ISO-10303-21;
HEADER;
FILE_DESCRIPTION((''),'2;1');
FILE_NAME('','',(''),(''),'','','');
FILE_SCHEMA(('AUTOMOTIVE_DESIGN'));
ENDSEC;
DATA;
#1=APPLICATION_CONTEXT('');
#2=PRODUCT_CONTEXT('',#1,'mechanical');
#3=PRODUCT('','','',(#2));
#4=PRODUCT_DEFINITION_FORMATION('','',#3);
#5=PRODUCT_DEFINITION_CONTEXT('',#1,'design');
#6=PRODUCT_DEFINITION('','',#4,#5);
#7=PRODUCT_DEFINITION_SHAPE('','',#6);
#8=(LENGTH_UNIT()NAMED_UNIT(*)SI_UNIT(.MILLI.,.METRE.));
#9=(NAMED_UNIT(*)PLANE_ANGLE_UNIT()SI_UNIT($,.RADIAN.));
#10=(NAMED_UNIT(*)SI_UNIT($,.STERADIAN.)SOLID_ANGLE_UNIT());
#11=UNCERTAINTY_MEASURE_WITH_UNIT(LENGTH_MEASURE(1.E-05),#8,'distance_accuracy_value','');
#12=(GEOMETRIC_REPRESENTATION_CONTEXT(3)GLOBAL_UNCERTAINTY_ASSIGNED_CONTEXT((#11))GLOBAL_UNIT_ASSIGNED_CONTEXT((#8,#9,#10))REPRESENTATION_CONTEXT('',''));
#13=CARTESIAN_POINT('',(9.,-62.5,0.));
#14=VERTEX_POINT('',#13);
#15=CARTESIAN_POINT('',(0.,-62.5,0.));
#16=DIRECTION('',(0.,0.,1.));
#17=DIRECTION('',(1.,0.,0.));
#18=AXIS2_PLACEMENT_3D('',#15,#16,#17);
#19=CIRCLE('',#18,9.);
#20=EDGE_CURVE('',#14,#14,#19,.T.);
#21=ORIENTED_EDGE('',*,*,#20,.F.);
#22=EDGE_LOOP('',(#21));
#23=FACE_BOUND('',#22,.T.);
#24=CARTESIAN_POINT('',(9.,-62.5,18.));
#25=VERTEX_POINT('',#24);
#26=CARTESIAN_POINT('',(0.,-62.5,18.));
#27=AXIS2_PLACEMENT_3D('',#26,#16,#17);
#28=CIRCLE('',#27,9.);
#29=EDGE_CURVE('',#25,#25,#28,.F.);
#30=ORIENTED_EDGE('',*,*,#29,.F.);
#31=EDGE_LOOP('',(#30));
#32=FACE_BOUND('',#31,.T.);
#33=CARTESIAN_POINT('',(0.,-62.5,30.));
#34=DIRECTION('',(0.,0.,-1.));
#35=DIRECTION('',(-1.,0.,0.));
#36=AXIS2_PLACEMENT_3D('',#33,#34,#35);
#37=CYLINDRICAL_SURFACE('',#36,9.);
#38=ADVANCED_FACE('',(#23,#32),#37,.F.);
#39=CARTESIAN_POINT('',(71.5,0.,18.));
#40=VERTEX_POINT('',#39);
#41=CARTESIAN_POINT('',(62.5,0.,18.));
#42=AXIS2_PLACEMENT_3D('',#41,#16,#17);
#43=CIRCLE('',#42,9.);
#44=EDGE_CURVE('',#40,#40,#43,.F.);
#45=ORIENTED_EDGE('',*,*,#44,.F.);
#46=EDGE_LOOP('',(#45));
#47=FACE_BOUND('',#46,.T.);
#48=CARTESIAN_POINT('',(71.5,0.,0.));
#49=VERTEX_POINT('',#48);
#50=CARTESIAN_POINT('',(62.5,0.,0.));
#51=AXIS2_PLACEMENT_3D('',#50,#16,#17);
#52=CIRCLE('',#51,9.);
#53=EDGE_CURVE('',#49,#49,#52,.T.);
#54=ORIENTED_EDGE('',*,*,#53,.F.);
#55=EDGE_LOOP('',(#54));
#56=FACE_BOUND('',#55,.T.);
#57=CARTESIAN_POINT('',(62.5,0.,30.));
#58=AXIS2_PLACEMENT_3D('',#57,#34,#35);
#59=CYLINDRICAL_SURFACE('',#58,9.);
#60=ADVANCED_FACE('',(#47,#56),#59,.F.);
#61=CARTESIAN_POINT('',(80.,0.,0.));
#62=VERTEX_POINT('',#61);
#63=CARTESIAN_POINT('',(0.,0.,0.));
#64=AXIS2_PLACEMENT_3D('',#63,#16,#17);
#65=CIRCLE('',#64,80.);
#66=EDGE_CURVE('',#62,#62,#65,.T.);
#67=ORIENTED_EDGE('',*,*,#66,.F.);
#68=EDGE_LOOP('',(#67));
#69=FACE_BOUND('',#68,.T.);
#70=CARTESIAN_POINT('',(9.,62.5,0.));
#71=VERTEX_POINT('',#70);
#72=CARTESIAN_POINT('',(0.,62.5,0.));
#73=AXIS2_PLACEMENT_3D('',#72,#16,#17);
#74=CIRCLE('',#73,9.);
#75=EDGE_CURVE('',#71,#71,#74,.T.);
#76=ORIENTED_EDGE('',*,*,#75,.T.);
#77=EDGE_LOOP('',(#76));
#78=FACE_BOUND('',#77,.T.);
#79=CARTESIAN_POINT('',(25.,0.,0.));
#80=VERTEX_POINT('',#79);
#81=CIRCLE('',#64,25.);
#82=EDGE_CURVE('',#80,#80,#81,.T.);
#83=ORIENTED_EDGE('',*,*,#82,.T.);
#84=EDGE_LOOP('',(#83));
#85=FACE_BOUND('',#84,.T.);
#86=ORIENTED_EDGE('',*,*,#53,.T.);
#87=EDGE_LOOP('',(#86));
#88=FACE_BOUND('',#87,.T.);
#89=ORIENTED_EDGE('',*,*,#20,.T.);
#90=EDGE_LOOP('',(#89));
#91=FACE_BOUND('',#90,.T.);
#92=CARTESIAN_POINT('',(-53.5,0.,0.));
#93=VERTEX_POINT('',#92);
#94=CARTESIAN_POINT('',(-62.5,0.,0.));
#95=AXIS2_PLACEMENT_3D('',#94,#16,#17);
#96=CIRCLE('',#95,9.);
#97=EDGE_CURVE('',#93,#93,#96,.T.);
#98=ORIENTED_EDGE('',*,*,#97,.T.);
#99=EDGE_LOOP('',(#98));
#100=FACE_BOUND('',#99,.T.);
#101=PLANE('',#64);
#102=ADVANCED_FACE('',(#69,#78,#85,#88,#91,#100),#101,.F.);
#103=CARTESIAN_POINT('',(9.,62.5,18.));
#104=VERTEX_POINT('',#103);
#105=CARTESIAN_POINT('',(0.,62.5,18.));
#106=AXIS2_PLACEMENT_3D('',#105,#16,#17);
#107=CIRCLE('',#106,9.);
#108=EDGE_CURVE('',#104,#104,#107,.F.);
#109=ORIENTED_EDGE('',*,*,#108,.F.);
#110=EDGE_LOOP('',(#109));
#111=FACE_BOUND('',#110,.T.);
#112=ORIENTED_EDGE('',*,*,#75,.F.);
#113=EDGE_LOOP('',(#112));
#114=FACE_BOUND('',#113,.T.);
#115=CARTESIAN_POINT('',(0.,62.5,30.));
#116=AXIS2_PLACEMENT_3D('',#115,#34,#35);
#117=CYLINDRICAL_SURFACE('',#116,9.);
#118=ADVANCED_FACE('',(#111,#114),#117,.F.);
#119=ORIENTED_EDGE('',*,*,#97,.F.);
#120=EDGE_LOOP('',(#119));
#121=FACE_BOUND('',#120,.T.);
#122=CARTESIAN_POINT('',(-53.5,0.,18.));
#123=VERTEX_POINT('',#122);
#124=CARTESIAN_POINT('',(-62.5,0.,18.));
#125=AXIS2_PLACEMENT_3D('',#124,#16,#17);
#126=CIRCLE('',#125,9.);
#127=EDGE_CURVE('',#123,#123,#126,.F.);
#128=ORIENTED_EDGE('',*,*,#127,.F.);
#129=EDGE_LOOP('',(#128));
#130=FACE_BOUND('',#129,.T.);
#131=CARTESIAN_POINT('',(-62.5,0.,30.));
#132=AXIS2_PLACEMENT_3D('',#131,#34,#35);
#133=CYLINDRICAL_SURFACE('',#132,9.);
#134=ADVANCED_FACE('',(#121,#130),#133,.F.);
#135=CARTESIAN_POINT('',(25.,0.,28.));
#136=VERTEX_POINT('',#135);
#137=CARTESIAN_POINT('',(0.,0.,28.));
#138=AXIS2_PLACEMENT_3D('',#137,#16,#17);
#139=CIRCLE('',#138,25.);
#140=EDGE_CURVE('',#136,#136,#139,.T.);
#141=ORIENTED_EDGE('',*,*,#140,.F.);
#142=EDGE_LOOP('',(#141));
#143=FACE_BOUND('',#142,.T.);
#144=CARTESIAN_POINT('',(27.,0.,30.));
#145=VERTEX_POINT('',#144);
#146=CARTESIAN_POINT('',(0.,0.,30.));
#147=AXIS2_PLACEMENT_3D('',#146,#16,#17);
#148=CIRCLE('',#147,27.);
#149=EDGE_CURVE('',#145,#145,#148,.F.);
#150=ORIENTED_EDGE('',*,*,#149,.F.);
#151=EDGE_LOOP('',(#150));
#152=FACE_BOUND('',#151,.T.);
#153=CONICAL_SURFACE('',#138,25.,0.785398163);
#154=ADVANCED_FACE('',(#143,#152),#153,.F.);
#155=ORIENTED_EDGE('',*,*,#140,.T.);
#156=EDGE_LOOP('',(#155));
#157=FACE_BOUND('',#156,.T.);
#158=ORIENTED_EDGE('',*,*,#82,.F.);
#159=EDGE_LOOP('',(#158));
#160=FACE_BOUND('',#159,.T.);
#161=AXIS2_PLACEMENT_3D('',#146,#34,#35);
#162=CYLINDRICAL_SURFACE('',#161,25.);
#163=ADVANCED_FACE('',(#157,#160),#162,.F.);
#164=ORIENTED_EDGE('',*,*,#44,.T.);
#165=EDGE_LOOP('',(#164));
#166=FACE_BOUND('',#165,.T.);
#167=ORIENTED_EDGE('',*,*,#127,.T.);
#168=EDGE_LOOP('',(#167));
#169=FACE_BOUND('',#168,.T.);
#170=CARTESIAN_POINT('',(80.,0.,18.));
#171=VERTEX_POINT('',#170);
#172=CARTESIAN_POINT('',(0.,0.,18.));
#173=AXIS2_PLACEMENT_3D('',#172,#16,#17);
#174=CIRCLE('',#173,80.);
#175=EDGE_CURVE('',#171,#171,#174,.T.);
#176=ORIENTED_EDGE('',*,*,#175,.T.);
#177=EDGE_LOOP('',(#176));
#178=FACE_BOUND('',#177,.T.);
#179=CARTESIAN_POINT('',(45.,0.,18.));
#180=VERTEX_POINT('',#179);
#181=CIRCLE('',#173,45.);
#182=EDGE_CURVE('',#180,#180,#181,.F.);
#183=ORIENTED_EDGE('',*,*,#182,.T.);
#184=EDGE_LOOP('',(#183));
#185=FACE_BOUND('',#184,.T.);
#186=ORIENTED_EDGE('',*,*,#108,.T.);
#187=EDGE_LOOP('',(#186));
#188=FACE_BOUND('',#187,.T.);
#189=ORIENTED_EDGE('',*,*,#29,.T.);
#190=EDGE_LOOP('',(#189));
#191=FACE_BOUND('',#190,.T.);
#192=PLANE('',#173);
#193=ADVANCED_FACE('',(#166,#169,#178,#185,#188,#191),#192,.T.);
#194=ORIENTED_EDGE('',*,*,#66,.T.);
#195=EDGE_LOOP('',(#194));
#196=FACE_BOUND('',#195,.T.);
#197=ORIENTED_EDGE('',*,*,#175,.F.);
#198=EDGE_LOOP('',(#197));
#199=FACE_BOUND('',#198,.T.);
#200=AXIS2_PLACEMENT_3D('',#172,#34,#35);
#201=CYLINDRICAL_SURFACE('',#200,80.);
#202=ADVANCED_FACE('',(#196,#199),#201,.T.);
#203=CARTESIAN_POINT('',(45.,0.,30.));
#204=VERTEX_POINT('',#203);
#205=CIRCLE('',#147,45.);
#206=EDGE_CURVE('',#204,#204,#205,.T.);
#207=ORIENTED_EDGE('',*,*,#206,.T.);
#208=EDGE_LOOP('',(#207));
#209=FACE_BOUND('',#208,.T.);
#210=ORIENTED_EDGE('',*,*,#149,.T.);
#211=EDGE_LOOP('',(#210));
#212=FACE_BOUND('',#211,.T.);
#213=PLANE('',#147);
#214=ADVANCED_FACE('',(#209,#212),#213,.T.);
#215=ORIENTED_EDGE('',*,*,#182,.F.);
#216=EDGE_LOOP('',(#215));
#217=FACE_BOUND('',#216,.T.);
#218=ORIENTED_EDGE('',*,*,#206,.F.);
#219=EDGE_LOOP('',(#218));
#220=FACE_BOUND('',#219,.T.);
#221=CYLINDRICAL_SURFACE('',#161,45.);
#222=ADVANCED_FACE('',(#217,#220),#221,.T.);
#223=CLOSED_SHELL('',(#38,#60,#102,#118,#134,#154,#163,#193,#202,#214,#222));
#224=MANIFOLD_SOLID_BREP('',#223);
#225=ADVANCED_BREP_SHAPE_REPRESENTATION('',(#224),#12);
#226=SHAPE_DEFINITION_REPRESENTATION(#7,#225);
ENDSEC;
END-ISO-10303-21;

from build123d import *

# Parameters (mm, degrees)
SKETCH_1_R          = 80
EXTRUDE_1_DEPTH     = 18
SKETCH_2_R          = 45
EXTRUDE_2_DEPTH     = 30
SKETCH_3_R          = 25
CUT_EXTRUDE_1_DEPTH = 118.046999107
SKETCH_4_R          = 9
CUT_EXTRUDE_2_DEPTH = 118.046999107
CHAMFER_1_SIZE      = 2


with BuildPart() as part:
    # 草图1 → 凸台-拉伸1 (new body)
    with BuildSketch(Plane.XY):
        Circle(SKETCH_1_R)
    extrude(amount=EXTRUDE_1_DEPTH)

    # 草图2 → 凸台-拉伸2 (add)
    with BuildSketch(Plane.XY):
        Circle(SKETCH_2_R)
    extrude(amount=EXTRUDE_2_DEPTH)

    # 草图3 → 切除-拉伸1 (cut, through all)
    with BuildSketch(Plane.XY):
        Circle(SKETCH_3_R)
    extrude(amount=CUT_EXTRUDE_1_DEPTH, mode=Mode.SUBTRACT)

    # 草图4 → 切除-拉伸2 (cut, through all)
    with BuildSketch(Plane.XY):
        with Locations((62.5, 0)):
            Circle(SKETCH_4_R)
        with Locations((0, 62.5)):
            Circle(SKETCH_4_R)
        with Locations((-62.5, 0)):
            Circle(SKETCH_4_R)
        with Locations((0, -62.5)):
            Circle(SKETCH_4_R)
    extrude(amount=CUT_EXTRUDE_2_DEPTH, mode=Mode.SUBTRACT)

    # 倒角1
    chamfer_1_edges = [part.edges().sort_by_distance(p)[0] for p in [
        (-25, 0, 30),
    ]]
    chamfer(chamfer_1_edges, length=CHAMFER_1_SIZE)


solid = part.part
